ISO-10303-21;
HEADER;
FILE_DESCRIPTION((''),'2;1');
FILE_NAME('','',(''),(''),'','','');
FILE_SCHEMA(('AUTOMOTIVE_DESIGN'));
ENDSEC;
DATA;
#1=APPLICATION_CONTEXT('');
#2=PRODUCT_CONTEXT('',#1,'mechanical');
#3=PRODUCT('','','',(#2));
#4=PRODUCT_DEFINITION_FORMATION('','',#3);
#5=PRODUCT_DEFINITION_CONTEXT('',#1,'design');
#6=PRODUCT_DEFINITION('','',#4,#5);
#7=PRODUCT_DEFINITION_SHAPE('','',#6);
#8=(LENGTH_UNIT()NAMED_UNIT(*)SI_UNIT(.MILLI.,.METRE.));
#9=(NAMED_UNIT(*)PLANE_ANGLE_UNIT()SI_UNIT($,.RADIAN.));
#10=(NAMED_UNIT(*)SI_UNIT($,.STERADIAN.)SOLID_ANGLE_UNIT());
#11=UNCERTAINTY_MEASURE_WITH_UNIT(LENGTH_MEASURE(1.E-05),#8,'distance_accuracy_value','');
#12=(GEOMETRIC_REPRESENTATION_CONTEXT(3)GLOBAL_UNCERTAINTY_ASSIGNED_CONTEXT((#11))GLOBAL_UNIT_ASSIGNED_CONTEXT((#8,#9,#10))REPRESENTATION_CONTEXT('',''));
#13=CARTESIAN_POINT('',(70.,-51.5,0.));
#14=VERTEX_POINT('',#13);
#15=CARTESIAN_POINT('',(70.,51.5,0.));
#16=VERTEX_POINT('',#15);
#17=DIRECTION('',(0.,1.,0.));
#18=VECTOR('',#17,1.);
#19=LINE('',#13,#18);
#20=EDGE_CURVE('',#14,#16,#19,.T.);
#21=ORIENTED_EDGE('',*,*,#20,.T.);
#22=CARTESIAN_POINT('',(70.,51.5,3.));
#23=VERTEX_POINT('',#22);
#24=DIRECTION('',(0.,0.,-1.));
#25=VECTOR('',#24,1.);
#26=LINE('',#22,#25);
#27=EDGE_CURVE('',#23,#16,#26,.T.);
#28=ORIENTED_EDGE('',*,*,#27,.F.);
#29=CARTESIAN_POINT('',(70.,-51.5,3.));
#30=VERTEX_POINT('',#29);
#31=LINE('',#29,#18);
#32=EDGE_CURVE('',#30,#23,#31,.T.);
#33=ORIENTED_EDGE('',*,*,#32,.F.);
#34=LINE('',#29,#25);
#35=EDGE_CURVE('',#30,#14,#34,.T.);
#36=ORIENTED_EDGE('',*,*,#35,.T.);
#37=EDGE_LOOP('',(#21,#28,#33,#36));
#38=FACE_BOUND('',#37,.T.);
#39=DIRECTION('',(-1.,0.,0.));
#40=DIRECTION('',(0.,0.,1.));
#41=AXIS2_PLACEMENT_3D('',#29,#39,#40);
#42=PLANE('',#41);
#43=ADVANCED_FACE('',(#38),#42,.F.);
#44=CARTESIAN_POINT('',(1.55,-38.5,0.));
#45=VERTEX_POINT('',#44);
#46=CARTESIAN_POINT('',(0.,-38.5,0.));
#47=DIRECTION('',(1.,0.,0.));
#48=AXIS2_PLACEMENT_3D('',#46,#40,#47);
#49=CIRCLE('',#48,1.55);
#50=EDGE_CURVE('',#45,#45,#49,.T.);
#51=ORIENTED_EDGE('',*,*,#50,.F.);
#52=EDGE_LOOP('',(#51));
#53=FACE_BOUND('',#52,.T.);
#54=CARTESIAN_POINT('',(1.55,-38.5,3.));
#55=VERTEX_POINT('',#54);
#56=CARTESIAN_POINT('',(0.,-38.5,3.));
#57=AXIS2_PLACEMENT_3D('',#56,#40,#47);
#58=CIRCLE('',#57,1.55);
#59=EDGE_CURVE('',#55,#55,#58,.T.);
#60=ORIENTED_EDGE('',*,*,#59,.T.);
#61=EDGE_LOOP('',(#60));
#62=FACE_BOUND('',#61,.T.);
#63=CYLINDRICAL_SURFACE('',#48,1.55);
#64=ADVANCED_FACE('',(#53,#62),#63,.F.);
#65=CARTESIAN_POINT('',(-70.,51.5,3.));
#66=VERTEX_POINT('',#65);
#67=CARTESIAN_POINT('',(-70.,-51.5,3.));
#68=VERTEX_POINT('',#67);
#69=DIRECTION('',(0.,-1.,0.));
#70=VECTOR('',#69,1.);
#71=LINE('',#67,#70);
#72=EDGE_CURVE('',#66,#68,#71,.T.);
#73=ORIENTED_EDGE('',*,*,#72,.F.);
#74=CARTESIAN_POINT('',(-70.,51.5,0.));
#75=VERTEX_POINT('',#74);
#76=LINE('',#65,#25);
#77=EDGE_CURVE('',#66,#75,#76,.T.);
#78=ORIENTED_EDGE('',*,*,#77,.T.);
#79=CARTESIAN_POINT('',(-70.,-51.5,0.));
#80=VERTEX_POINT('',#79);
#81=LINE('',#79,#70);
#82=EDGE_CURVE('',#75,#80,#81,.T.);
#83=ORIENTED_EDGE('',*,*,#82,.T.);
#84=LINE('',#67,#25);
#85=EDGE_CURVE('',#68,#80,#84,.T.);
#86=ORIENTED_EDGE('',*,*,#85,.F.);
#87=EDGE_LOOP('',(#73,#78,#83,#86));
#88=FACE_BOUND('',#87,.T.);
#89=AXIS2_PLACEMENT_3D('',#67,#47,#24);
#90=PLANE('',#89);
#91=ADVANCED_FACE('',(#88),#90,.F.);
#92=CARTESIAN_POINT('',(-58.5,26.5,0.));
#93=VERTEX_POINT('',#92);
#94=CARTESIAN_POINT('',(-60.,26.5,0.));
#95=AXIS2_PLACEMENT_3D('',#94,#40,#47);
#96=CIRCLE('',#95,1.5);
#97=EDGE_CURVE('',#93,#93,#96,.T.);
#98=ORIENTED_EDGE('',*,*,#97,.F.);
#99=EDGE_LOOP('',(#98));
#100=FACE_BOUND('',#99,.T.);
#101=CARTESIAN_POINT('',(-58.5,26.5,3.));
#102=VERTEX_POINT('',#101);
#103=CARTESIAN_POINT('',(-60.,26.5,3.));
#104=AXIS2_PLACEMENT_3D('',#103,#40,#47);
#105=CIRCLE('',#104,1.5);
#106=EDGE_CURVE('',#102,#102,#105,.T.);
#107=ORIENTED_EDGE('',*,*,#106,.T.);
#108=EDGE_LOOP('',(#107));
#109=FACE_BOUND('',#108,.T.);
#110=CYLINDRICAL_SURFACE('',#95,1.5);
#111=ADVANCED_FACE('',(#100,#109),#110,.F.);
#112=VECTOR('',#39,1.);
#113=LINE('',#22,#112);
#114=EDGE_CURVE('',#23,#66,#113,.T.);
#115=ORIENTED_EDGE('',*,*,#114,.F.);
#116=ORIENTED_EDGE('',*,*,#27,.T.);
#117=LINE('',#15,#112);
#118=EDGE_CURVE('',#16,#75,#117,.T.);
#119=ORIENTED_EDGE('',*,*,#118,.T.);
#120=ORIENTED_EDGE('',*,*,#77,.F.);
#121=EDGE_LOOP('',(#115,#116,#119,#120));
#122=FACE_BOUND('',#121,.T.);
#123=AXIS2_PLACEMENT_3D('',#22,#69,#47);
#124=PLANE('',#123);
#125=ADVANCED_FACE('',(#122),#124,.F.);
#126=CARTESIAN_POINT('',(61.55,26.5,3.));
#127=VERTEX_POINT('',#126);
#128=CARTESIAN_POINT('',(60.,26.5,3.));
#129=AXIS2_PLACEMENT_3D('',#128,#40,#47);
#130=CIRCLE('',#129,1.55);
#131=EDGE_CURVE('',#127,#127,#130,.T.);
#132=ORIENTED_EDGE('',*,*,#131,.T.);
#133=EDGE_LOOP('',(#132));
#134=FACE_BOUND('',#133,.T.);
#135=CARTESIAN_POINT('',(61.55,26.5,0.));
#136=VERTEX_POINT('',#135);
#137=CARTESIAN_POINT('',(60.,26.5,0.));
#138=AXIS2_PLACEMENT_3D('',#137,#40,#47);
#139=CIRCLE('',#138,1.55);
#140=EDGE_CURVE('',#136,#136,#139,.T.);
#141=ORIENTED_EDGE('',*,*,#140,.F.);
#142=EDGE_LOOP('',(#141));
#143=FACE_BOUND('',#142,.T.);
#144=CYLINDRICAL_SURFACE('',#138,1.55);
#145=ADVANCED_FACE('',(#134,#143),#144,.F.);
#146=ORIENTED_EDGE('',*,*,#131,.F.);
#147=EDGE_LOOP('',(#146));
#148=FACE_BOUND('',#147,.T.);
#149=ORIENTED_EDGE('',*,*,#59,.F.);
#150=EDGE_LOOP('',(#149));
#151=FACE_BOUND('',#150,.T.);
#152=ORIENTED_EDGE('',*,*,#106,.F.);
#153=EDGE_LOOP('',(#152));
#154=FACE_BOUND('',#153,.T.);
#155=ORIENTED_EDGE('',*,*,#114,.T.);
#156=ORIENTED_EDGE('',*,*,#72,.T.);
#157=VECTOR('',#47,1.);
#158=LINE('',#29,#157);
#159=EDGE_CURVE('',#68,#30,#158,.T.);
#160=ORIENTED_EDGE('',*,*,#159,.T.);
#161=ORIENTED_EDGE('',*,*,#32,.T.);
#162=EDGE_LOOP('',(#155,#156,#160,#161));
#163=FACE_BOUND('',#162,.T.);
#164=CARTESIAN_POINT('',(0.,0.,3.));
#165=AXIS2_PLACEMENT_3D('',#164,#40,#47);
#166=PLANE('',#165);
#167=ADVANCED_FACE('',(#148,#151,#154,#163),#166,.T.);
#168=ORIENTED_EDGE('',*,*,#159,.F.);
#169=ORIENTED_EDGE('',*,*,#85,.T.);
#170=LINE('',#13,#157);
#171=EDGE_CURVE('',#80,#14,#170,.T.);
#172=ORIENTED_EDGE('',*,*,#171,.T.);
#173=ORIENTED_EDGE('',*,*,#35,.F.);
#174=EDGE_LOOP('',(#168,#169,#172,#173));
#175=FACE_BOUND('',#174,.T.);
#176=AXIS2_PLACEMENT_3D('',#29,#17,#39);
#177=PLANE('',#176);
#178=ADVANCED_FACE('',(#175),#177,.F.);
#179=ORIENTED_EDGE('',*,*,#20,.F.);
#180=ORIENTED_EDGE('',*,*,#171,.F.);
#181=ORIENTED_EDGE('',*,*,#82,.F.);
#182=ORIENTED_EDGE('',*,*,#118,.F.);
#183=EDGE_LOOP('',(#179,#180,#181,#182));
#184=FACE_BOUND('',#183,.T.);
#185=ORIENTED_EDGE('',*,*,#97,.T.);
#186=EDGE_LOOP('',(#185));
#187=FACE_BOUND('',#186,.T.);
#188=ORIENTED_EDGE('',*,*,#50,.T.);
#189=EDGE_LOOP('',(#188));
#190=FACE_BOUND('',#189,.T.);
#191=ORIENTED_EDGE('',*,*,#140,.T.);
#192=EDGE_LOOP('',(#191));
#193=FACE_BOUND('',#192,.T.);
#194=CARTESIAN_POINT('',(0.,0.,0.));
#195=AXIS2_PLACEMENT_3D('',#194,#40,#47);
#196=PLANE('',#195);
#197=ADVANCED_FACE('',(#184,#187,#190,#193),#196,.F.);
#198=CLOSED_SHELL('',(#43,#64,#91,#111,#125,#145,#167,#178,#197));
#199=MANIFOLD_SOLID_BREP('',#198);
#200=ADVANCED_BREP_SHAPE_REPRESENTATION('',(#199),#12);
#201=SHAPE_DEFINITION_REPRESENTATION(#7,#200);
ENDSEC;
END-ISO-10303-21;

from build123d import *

# Parameters (mm, degrees)
SKETCH_1_W          = 140
SKETCH_1_H          = 103
EXTRUDE_1_DEPTH     = 3
SKETCH_2_R          = 1.5
SKETCH_2_R_2        = 1.55
CUT_EXTRUDE_1_DEPTH = 87.955448363


with BuildPart() as part:
    # 草图1 → 凸台-拉伸1 (new body)
    with BuildSketch(Plane.XY):
        Rectangle(SKETCH_1_W, SKETCH_1_H)
    extrude(amount=EXTRUDE_1_DEPTH)

    # 草图2 → 切除-拉伸1 (cut, through all)
    with BuildSketch(Plane.XY.offset(3)):
        with Locations((-60, 26.5)):
            Circle(SKETCH_2_R)
        with Locations((60, 26.5)):
            Circle(SKETCH_2_R_2)
        with Locations((0, -38.5)):
            Circle(SKETCH_2_R_2)
    extrude(amount=-CUT_EXTRUDE_1_DEPTH, mode=Mode.SUBTRACT)


solid = part.part
